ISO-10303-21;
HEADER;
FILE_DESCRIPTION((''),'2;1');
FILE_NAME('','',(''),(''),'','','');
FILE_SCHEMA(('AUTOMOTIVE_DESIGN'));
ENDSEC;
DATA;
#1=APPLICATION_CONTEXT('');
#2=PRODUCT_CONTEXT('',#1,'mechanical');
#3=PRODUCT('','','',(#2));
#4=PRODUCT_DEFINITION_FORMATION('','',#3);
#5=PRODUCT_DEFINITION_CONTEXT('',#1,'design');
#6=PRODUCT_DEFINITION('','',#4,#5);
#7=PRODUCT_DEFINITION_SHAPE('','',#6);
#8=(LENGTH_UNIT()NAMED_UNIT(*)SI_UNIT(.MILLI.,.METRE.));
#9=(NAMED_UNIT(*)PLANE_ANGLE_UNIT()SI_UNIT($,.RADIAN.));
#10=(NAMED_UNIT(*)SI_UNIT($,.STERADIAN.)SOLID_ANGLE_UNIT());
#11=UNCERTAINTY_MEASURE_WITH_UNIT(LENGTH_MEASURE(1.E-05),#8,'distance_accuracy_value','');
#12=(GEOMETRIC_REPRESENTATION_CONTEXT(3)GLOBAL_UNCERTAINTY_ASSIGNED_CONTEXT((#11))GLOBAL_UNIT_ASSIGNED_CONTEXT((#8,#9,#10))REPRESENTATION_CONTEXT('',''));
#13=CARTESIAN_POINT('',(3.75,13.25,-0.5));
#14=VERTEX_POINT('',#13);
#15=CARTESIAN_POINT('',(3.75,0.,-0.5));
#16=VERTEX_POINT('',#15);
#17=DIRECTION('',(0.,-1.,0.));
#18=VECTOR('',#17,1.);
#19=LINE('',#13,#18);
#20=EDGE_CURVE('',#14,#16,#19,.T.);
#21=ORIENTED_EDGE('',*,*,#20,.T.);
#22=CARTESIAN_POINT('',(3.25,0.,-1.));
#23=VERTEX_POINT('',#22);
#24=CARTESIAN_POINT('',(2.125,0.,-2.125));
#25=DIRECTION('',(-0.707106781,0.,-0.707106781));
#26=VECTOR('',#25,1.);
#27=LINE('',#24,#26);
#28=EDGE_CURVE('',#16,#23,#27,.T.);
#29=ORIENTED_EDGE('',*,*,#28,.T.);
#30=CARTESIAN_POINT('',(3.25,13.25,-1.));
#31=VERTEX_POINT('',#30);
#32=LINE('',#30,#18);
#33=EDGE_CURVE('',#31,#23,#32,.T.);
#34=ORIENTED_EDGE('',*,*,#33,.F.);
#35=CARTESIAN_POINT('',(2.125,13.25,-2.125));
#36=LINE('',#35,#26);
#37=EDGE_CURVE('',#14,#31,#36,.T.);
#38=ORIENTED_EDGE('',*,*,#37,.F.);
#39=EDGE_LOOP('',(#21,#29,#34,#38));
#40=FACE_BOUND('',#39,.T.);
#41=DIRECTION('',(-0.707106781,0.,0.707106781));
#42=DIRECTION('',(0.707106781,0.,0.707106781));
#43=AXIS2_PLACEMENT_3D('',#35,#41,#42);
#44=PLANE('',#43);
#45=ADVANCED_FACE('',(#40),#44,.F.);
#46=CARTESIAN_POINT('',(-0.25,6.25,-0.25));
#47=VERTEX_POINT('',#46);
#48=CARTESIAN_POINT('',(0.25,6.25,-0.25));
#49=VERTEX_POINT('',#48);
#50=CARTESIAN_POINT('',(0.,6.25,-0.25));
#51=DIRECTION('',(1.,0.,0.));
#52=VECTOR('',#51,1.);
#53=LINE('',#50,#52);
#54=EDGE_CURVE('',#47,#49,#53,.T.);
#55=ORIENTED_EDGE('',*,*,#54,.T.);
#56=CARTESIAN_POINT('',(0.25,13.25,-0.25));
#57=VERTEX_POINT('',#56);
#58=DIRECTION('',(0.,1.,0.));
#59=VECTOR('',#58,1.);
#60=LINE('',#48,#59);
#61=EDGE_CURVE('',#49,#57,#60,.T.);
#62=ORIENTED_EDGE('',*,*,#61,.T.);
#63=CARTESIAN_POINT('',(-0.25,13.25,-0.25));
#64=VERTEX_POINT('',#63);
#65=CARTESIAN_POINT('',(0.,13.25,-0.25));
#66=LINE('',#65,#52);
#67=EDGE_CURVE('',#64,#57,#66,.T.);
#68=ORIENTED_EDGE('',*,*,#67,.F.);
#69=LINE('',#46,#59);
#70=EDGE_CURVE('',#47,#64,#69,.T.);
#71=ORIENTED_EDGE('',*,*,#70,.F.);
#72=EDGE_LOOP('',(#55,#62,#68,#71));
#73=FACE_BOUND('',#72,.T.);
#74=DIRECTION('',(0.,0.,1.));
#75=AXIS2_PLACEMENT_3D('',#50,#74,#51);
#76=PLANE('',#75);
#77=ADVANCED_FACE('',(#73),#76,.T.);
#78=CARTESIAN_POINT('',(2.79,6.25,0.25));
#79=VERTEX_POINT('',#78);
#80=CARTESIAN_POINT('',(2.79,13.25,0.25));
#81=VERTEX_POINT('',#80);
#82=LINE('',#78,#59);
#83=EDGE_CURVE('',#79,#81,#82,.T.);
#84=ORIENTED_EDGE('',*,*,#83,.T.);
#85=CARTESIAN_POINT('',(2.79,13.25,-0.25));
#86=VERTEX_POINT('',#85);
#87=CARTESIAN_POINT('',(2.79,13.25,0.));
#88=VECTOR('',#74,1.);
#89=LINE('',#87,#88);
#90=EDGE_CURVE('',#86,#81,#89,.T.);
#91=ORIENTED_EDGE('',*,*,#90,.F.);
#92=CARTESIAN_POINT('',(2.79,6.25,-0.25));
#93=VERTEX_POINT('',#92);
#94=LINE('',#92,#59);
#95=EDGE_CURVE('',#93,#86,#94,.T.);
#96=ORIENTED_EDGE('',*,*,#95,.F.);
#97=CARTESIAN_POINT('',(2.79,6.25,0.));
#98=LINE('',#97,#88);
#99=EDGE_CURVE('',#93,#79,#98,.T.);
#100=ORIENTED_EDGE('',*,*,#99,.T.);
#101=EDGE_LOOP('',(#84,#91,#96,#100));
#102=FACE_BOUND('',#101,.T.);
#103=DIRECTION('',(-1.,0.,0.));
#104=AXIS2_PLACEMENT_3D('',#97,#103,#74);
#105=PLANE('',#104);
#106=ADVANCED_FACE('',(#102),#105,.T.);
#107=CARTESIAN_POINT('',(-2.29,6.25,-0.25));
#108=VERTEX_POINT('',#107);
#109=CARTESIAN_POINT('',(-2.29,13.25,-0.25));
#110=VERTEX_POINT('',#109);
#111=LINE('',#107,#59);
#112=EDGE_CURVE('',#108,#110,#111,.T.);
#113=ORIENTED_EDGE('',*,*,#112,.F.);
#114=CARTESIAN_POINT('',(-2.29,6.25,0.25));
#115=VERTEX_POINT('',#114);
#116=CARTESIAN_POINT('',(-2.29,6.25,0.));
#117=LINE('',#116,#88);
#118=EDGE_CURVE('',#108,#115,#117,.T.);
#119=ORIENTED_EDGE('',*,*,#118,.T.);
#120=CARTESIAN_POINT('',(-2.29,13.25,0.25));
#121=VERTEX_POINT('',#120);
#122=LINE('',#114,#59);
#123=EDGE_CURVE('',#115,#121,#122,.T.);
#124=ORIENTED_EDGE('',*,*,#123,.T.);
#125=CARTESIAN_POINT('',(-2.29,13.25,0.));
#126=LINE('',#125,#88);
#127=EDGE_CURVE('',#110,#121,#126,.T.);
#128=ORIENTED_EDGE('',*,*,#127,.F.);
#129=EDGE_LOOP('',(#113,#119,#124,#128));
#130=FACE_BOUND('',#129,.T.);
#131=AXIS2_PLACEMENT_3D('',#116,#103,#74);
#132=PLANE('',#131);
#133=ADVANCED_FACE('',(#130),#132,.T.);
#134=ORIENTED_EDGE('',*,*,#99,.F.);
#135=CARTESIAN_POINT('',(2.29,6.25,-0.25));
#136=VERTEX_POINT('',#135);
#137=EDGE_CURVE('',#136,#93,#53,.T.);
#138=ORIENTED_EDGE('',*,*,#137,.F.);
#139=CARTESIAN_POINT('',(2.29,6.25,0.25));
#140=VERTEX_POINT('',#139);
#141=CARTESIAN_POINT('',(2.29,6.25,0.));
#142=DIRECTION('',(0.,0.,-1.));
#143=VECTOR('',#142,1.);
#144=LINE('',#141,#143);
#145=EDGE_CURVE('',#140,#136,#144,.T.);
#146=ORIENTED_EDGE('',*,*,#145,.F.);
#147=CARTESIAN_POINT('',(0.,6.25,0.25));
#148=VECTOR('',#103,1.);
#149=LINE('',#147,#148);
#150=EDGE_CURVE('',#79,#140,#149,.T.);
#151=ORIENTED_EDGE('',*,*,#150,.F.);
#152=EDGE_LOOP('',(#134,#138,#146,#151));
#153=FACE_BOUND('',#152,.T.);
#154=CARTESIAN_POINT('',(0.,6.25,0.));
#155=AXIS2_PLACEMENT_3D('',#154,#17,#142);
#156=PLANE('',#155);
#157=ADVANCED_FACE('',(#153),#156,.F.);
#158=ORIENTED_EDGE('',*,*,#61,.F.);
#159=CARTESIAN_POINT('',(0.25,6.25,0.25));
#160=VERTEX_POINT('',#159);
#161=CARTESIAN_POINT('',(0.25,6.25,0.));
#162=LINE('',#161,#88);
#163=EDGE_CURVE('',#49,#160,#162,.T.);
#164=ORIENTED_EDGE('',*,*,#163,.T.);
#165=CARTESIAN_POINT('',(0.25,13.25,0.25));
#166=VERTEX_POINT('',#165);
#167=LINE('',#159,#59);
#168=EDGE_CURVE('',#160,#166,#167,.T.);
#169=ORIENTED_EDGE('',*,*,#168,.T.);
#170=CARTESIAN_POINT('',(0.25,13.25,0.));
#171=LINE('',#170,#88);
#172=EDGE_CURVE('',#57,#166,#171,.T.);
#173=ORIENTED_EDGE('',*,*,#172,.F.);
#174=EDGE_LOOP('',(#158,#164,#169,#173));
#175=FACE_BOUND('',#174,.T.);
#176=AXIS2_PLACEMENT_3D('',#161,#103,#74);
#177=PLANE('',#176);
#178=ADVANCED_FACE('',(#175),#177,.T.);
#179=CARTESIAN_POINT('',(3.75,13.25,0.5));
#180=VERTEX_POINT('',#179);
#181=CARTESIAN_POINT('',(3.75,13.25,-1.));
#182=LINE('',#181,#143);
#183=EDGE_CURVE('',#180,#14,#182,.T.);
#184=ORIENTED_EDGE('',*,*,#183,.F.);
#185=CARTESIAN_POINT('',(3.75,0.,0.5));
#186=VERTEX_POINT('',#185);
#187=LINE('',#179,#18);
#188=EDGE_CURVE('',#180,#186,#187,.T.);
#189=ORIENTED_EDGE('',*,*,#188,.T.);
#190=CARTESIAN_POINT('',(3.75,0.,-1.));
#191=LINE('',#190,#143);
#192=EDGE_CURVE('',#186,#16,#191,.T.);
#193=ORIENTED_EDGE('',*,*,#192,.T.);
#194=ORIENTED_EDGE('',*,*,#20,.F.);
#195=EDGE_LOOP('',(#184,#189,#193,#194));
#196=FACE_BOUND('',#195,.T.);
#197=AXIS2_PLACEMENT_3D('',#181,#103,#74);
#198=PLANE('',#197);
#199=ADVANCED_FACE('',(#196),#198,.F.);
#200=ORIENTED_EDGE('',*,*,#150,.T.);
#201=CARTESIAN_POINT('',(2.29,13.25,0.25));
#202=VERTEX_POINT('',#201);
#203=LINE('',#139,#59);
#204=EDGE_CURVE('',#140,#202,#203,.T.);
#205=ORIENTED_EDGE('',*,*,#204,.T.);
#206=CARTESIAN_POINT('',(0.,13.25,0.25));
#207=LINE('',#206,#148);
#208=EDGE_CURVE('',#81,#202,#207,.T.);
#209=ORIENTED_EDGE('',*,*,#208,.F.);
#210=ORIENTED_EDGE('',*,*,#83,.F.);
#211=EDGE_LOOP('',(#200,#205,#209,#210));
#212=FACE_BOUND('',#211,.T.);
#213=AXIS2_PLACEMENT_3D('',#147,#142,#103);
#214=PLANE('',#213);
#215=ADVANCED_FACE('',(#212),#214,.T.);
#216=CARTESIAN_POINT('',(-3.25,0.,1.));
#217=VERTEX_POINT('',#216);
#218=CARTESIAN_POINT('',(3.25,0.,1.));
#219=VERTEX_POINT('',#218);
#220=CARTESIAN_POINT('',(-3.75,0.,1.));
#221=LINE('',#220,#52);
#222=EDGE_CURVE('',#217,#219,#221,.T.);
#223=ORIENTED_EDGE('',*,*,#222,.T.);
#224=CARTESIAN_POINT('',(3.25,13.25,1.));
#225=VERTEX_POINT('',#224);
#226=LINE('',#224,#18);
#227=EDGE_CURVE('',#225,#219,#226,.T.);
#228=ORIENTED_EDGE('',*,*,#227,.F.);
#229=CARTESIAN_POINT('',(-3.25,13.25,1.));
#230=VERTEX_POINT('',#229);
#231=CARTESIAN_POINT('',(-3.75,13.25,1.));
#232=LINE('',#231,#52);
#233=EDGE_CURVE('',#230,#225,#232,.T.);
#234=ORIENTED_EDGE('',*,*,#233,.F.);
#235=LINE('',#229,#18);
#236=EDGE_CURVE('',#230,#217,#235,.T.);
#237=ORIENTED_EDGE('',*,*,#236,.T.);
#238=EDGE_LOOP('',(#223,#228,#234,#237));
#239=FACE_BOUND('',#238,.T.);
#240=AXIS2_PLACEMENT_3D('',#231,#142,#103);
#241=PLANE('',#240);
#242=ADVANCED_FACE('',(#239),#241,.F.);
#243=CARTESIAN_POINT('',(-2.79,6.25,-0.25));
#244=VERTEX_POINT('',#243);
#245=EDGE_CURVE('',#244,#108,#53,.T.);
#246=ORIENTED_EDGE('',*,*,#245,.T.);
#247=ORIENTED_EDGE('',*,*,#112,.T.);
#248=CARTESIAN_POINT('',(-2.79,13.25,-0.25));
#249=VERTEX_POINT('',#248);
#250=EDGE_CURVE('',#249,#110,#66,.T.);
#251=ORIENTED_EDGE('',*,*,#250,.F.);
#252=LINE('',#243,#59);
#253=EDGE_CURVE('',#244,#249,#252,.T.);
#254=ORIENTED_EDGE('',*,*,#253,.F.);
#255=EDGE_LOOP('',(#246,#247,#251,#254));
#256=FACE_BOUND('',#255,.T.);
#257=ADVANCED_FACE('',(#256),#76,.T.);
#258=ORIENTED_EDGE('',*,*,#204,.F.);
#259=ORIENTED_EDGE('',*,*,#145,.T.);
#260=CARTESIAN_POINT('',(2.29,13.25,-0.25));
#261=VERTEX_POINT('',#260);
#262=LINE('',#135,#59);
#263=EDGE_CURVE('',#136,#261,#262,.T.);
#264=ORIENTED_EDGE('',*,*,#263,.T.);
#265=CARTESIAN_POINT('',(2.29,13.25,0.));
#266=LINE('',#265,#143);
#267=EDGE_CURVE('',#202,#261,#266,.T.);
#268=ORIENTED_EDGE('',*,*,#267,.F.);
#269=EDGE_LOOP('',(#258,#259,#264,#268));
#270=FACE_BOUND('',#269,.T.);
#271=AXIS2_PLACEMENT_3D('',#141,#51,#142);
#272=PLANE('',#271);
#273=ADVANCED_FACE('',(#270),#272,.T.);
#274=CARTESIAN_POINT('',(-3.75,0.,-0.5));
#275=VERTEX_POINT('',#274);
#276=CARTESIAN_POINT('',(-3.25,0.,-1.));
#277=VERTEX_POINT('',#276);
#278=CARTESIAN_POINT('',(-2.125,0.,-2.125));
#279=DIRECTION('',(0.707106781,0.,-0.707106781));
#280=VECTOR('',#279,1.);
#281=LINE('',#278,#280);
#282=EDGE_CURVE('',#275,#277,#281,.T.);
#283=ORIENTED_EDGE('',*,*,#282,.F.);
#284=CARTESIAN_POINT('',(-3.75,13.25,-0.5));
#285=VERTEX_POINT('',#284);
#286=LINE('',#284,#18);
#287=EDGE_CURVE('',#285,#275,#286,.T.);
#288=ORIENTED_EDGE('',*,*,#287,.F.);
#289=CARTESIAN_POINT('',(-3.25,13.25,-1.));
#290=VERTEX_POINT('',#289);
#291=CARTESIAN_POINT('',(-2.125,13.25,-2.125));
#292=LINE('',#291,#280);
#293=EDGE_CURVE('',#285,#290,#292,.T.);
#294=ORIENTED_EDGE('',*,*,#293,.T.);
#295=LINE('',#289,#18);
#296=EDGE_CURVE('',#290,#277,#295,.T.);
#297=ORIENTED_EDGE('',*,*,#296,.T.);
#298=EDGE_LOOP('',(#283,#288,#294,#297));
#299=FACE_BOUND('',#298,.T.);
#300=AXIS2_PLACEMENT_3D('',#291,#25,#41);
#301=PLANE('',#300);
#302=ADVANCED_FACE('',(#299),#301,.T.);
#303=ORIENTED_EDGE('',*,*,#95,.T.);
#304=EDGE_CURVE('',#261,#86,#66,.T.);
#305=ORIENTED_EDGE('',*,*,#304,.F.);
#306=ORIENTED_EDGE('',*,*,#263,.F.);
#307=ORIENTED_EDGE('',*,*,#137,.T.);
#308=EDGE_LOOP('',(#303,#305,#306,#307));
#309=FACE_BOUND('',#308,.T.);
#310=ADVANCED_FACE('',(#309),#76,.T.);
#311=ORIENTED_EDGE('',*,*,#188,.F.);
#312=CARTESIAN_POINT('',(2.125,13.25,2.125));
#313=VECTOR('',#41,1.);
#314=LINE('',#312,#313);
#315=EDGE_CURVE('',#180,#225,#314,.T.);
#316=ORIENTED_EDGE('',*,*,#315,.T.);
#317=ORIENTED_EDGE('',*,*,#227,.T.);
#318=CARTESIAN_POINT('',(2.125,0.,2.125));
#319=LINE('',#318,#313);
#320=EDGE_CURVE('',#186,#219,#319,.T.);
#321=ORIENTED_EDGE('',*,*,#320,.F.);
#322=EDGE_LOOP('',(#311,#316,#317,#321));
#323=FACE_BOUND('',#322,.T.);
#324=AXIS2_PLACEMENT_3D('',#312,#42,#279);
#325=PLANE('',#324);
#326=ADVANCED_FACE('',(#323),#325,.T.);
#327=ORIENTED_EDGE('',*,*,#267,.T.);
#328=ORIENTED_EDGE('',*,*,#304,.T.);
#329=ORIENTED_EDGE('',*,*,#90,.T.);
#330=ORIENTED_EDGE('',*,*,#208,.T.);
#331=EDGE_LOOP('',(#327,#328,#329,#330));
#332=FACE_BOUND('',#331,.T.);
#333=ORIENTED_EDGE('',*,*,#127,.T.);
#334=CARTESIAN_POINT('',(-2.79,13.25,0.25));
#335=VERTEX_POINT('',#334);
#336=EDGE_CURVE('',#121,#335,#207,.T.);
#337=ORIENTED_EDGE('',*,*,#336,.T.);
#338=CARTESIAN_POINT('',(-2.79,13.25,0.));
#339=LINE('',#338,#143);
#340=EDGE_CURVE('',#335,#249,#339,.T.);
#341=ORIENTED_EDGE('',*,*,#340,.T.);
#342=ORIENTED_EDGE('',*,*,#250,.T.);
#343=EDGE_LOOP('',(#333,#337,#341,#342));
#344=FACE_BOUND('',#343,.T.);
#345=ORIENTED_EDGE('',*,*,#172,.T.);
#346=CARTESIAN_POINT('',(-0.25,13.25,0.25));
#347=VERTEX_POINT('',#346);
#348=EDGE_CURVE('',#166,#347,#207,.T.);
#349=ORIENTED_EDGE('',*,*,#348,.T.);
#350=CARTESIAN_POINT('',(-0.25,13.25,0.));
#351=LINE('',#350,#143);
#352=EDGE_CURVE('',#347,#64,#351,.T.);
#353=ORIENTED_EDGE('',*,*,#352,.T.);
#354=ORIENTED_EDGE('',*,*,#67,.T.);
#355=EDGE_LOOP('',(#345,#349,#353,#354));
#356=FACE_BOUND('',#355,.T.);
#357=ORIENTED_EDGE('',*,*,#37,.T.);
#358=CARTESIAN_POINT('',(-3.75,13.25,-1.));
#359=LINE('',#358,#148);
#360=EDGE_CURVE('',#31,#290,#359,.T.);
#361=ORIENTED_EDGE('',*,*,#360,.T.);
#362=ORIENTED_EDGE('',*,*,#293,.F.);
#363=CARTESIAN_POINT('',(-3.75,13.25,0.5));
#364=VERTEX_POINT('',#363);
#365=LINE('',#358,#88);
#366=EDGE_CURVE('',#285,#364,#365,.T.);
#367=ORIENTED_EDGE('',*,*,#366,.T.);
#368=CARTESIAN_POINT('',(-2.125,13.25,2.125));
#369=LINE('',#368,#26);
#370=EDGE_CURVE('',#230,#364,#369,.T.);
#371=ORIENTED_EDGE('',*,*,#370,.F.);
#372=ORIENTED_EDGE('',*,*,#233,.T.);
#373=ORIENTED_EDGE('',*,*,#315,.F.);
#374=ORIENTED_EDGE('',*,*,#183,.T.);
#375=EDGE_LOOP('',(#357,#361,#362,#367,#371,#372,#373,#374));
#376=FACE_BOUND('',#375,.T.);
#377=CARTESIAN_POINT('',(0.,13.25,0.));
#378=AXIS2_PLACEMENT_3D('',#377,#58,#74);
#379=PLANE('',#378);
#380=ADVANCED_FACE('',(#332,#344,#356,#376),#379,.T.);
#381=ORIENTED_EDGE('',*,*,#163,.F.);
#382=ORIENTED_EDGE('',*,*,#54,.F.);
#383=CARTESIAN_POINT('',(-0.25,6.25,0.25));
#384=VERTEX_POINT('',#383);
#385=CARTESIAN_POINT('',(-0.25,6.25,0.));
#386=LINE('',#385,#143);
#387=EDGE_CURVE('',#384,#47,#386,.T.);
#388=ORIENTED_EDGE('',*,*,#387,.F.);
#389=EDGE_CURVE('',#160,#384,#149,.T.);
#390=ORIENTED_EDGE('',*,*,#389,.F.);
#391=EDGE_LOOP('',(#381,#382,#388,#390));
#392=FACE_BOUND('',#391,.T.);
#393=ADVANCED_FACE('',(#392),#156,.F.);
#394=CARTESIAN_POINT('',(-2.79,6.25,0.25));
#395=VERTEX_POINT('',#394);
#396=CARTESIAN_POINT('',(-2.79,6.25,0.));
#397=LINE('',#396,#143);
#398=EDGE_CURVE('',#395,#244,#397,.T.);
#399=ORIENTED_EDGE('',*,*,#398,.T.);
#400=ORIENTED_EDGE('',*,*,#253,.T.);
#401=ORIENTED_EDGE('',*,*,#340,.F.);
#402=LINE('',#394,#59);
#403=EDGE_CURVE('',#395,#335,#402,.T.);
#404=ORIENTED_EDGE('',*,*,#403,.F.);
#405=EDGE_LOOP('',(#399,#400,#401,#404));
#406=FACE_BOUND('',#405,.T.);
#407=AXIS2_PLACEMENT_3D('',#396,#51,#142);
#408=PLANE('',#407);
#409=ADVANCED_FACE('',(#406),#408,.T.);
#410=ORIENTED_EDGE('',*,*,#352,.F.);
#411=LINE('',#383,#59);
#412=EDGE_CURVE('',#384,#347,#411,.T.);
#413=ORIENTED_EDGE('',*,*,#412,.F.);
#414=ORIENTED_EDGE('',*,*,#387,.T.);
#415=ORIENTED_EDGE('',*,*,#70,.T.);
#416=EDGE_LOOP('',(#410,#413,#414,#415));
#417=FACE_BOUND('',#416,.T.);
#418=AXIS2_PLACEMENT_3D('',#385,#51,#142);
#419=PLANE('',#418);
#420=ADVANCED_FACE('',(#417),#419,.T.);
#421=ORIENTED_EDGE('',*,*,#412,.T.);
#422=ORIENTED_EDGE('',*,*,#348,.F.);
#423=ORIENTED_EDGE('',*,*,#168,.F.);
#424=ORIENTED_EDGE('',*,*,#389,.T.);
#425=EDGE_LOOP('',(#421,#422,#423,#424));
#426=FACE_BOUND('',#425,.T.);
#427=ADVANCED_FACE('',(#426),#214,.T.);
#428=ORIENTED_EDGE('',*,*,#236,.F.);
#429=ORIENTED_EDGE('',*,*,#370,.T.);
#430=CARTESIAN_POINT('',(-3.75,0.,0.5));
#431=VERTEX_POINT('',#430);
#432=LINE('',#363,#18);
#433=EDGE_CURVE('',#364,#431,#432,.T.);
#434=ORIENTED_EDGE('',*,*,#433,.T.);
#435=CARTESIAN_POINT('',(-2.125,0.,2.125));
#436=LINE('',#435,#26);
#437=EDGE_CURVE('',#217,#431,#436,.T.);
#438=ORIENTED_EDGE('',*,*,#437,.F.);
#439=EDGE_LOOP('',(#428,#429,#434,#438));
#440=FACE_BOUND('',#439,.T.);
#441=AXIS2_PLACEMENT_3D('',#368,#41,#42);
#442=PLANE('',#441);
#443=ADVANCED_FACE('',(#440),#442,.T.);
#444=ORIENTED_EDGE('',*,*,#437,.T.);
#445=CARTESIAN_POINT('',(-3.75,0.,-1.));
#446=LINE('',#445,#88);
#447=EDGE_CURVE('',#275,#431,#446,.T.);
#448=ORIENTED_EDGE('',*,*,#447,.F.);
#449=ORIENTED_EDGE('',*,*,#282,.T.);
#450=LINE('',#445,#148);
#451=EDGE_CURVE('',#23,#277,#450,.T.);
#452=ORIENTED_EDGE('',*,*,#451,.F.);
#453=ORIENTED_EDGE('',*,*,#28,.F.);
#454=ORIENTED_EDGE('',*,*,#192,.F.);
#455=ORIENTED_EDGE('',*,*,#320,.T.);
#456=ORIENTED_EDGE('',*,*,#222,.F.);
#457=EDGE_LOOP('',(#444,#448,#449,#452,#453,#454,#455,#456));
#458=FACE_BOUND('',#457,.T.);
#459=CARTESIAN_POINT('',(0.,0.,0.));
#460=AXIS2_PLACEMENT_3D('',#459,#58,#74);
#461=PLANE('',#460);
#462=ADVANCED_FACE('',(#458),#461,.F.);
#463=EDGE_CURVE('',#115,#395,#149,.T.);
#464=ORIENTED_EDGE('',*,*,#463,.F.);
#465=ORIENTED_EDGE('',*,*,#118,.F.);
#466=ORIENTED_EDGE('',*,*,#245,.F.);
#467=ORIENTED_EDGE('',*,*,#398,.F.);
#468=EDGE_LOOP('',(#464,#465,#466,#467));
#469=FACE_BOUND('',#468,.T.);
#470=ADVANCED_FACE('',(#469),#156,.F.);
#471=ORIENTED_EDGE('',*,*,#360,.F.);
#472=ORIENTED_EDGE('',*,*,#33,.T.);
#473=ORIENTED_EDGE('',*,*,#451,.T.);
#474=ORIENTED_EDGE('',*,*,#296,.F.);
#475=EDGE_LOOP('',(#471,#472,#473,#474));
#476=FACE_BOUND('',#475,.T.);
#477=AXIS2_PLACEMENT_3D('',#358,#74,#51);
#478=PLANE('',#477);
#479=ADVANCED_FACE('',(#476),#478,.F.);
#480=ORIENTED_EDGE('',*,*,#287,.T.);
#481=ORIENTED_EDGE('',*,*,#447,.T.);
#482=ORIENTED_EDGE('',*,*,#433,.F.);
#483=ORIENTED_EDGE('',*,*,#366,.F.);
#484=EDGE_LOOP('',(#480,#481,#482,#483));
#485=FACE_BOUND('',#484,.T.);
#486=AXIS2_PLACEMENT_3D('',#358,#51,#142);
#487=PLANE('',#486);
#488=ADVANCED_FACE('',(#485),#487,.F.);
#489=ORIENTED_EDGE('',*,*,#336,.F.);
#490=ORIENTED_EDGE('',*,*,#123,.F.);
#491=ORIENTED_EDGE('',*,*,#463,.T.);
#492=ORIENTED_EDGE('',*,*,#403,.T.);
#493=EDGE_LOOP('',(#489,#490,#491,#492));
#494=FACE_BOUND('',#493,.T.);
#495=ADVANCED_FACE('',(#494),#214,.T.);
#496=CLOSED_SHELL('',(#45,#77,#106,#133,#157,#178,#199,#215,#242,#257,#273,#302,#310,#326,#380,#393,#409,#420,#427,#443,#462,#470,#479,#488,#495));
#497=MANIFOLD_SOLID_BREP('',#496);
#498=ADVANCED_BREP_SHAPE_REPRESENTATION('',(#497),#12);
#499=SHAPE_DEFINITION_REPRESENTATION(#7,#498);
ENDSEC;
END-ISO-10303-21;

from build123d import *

# Parameters (mm, degrees)
SKETCH_1_W          = 7.5
SKETCH_1_H          = 2
EXTRUDE_1_DEPTH     = 13.25
CUT_EXTRUDE_START   = 13.25
SKETCH_2_W          = 0.5
SKETCH_2_H          = 0.5
CUT_EXTRUDE_1_DEPTH = 7
CUT_EXTRUDE_2_DEPTH = 14.806701271


with BuildPart() as part:
    # 草图1 → 凸台-拉伸1 (new body)
    with BuildSketch(Plane(origin=(0, 0, 0), x_dir=(1, 0, 0), z_dir=(0, 1, 0))):
        Rectangle(SKETCH_1_W, SKETCH_1_H)
    extrude(amount=EXTRUDE_1_DEPTH)

    # 草图2 → 切除-拉伸1 (cut)
    with BuildSketch(Plane(origin=(0, 0, 0), x_dir=(1, 0, 0), z_dir=(0, 1, 0)).offset(CUT_EXTRUDE_START)):
        with Locations((2.54, 0)):
            Rectangle(SKETCH_2_W, SKETCH_2_H)
        Rectangle(SKETCH_2_W, SKETCH_2_H)
        with Locations((-2.54, 0)):
            Rectangle(SKETCH_2_W, SKETCH_2_H)
    extrude(amount=-CUT_EXTRUDE_1_DEPTH, mode=Mode.SUBTRACT)

    # 草图3 → 切除-拉伸2 (cut, through all)
    with BuildSketch(Plane(origin=(0, 0, 0), x_dir=(1, 0, 0), z_dir=(0, 1, 0))):
        Polygon((-3.25, -1), (-3.75, -0.5), (-3.75, -1), align=None)
        Polygon((-3.75, 0.5), (-3.25, 1), (-3.75, 1), align=None)
        Polygon((3.75, -0.5), (3.25, -1), (3.75, -1), align=None)
        Polygon((3.25, 1), (3.75, 1), (3.75, 0.5), align=None)
    extrude(amount=CUT_EXTRUDE_2_DEPTH, mode=Mode.SUBTRACT)


solid = part.part
